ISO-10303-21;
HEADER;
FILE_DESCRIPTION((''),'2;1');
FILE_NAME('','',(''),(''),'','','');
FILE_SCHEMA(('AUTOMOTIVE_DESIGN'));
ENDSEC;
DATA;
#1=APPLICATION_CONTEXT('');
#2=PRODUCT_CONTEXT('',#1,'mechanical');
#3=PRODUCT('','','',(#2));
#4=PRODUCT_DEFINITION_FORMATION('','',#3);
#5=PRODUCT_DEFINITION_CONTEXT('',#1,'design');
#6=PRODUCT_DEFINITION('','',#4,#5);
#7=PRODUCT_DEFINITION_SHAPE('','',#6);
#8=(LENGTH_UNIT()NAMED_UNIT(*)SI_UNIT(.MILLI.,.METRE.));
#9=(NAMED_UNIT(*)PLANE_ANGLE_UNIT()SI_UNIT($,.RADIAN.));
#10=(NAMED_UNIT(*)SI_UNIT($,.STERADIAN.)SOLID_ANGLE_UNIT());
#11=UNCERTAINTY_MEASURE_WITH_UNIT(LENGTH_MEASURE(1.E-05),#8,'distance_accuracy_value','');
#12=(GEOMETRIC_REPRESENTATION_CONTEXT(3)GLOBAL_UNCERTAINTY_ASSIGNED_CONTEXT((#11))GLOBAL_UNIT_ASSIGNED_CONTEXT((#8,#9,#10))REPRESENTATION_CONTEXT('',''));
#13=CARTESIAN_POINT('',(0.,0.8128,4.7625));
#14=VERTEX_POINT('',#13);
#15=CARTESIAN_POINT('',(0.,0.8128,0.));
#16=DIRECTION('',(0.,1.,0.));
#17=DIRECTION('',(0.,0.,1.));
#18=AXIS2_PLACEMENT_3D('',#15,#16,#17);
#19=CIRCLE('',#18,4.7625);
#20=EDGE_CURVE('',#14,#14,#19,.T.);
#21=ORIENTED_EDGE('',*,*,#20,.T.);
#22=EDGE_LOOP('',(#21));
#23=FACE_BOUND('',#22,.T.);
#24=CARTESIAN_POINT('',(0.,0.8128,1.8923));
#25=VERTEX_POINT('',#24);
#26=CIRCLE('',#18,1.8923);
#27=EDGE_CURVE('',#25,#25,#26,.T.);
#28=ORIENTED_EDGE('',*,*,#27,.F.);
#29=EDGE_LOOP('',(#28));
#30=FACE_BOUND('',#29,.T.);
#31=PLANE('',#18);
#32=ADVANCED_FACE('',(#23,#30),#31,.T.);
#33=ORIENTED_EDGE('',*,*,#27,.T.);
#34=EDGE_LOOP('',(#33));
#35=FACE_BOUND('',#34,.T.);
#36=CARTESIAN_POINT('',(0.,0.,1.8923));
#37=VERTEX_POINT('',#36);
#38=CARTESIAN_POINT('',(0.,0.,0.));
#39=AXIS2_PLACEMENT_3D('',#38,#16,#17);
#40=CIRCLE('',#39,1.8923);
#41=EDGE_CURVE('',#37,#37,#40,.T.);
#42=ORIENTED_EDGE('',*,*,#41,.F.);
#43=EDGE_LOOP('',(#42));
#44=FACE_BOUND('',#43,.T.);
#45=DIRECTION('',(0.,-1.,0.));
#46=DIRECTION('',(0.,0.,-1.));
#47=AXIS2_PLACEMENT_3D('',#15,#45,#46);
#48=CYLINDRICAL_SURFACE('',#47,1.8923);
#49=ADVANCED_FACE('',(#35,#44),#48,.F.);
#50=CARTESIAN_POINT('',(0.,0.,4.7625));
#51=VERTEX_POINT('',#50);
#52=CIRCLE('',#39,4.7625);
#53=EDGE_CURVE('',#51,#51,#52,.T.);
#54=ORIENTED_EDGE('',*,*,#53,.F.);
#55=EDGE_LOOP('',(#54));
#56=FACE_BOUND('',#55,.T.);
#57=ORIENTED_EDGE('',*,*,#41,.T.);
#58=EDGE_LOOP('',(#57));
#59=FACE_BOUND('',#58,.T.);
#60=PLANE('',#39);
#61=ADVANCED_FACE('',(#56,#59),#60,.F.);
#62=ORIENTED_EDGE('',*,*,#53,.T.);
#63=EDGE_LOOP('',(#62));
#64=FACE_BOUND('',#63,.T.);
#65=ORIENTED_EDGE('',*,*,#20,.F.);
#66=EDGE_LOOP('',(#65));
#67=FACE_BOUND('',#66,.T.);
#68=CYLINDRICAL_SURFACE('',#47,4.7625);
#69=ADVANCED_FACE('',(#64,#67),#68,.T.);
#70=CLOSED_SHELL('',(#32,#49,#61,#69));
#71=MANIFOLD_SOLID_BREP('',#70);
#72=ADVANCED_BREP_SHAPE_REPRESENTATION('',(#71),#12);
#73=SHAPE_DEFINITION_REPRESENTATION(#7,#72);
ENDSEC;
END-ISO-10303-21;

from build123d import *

# Parameters (mm, degrees)
SKETCH1_R           = 4.7625
SKETCH1_R_2         = 1.8923
BOSS_EXTRUDE1_DEPTH = 0.8128


with BuildPart() as part:
    # Sketch1 → Boss-Extrude1 (new body)
    with BuildSketch(Plane(origin=(0, 0, 0), x_dir=(1, 0, 0), z_dir=(0, 1, 0))):
        with Locations(Location((0, 0, 0), (0, 0, 270))):  # turned: the seam where the file's is
            Circle(SKETCH1_R)
        with Locations(Location((0, 0, 0), (0, 0, 270))):  # turned: the seam where the file's is
            Circle(SKETCH1_R_2, mode=Mode.SUBTRACT)
    extrude(amount=BOSS_EXTRUDE1_DEPTH)


solid = part.part
